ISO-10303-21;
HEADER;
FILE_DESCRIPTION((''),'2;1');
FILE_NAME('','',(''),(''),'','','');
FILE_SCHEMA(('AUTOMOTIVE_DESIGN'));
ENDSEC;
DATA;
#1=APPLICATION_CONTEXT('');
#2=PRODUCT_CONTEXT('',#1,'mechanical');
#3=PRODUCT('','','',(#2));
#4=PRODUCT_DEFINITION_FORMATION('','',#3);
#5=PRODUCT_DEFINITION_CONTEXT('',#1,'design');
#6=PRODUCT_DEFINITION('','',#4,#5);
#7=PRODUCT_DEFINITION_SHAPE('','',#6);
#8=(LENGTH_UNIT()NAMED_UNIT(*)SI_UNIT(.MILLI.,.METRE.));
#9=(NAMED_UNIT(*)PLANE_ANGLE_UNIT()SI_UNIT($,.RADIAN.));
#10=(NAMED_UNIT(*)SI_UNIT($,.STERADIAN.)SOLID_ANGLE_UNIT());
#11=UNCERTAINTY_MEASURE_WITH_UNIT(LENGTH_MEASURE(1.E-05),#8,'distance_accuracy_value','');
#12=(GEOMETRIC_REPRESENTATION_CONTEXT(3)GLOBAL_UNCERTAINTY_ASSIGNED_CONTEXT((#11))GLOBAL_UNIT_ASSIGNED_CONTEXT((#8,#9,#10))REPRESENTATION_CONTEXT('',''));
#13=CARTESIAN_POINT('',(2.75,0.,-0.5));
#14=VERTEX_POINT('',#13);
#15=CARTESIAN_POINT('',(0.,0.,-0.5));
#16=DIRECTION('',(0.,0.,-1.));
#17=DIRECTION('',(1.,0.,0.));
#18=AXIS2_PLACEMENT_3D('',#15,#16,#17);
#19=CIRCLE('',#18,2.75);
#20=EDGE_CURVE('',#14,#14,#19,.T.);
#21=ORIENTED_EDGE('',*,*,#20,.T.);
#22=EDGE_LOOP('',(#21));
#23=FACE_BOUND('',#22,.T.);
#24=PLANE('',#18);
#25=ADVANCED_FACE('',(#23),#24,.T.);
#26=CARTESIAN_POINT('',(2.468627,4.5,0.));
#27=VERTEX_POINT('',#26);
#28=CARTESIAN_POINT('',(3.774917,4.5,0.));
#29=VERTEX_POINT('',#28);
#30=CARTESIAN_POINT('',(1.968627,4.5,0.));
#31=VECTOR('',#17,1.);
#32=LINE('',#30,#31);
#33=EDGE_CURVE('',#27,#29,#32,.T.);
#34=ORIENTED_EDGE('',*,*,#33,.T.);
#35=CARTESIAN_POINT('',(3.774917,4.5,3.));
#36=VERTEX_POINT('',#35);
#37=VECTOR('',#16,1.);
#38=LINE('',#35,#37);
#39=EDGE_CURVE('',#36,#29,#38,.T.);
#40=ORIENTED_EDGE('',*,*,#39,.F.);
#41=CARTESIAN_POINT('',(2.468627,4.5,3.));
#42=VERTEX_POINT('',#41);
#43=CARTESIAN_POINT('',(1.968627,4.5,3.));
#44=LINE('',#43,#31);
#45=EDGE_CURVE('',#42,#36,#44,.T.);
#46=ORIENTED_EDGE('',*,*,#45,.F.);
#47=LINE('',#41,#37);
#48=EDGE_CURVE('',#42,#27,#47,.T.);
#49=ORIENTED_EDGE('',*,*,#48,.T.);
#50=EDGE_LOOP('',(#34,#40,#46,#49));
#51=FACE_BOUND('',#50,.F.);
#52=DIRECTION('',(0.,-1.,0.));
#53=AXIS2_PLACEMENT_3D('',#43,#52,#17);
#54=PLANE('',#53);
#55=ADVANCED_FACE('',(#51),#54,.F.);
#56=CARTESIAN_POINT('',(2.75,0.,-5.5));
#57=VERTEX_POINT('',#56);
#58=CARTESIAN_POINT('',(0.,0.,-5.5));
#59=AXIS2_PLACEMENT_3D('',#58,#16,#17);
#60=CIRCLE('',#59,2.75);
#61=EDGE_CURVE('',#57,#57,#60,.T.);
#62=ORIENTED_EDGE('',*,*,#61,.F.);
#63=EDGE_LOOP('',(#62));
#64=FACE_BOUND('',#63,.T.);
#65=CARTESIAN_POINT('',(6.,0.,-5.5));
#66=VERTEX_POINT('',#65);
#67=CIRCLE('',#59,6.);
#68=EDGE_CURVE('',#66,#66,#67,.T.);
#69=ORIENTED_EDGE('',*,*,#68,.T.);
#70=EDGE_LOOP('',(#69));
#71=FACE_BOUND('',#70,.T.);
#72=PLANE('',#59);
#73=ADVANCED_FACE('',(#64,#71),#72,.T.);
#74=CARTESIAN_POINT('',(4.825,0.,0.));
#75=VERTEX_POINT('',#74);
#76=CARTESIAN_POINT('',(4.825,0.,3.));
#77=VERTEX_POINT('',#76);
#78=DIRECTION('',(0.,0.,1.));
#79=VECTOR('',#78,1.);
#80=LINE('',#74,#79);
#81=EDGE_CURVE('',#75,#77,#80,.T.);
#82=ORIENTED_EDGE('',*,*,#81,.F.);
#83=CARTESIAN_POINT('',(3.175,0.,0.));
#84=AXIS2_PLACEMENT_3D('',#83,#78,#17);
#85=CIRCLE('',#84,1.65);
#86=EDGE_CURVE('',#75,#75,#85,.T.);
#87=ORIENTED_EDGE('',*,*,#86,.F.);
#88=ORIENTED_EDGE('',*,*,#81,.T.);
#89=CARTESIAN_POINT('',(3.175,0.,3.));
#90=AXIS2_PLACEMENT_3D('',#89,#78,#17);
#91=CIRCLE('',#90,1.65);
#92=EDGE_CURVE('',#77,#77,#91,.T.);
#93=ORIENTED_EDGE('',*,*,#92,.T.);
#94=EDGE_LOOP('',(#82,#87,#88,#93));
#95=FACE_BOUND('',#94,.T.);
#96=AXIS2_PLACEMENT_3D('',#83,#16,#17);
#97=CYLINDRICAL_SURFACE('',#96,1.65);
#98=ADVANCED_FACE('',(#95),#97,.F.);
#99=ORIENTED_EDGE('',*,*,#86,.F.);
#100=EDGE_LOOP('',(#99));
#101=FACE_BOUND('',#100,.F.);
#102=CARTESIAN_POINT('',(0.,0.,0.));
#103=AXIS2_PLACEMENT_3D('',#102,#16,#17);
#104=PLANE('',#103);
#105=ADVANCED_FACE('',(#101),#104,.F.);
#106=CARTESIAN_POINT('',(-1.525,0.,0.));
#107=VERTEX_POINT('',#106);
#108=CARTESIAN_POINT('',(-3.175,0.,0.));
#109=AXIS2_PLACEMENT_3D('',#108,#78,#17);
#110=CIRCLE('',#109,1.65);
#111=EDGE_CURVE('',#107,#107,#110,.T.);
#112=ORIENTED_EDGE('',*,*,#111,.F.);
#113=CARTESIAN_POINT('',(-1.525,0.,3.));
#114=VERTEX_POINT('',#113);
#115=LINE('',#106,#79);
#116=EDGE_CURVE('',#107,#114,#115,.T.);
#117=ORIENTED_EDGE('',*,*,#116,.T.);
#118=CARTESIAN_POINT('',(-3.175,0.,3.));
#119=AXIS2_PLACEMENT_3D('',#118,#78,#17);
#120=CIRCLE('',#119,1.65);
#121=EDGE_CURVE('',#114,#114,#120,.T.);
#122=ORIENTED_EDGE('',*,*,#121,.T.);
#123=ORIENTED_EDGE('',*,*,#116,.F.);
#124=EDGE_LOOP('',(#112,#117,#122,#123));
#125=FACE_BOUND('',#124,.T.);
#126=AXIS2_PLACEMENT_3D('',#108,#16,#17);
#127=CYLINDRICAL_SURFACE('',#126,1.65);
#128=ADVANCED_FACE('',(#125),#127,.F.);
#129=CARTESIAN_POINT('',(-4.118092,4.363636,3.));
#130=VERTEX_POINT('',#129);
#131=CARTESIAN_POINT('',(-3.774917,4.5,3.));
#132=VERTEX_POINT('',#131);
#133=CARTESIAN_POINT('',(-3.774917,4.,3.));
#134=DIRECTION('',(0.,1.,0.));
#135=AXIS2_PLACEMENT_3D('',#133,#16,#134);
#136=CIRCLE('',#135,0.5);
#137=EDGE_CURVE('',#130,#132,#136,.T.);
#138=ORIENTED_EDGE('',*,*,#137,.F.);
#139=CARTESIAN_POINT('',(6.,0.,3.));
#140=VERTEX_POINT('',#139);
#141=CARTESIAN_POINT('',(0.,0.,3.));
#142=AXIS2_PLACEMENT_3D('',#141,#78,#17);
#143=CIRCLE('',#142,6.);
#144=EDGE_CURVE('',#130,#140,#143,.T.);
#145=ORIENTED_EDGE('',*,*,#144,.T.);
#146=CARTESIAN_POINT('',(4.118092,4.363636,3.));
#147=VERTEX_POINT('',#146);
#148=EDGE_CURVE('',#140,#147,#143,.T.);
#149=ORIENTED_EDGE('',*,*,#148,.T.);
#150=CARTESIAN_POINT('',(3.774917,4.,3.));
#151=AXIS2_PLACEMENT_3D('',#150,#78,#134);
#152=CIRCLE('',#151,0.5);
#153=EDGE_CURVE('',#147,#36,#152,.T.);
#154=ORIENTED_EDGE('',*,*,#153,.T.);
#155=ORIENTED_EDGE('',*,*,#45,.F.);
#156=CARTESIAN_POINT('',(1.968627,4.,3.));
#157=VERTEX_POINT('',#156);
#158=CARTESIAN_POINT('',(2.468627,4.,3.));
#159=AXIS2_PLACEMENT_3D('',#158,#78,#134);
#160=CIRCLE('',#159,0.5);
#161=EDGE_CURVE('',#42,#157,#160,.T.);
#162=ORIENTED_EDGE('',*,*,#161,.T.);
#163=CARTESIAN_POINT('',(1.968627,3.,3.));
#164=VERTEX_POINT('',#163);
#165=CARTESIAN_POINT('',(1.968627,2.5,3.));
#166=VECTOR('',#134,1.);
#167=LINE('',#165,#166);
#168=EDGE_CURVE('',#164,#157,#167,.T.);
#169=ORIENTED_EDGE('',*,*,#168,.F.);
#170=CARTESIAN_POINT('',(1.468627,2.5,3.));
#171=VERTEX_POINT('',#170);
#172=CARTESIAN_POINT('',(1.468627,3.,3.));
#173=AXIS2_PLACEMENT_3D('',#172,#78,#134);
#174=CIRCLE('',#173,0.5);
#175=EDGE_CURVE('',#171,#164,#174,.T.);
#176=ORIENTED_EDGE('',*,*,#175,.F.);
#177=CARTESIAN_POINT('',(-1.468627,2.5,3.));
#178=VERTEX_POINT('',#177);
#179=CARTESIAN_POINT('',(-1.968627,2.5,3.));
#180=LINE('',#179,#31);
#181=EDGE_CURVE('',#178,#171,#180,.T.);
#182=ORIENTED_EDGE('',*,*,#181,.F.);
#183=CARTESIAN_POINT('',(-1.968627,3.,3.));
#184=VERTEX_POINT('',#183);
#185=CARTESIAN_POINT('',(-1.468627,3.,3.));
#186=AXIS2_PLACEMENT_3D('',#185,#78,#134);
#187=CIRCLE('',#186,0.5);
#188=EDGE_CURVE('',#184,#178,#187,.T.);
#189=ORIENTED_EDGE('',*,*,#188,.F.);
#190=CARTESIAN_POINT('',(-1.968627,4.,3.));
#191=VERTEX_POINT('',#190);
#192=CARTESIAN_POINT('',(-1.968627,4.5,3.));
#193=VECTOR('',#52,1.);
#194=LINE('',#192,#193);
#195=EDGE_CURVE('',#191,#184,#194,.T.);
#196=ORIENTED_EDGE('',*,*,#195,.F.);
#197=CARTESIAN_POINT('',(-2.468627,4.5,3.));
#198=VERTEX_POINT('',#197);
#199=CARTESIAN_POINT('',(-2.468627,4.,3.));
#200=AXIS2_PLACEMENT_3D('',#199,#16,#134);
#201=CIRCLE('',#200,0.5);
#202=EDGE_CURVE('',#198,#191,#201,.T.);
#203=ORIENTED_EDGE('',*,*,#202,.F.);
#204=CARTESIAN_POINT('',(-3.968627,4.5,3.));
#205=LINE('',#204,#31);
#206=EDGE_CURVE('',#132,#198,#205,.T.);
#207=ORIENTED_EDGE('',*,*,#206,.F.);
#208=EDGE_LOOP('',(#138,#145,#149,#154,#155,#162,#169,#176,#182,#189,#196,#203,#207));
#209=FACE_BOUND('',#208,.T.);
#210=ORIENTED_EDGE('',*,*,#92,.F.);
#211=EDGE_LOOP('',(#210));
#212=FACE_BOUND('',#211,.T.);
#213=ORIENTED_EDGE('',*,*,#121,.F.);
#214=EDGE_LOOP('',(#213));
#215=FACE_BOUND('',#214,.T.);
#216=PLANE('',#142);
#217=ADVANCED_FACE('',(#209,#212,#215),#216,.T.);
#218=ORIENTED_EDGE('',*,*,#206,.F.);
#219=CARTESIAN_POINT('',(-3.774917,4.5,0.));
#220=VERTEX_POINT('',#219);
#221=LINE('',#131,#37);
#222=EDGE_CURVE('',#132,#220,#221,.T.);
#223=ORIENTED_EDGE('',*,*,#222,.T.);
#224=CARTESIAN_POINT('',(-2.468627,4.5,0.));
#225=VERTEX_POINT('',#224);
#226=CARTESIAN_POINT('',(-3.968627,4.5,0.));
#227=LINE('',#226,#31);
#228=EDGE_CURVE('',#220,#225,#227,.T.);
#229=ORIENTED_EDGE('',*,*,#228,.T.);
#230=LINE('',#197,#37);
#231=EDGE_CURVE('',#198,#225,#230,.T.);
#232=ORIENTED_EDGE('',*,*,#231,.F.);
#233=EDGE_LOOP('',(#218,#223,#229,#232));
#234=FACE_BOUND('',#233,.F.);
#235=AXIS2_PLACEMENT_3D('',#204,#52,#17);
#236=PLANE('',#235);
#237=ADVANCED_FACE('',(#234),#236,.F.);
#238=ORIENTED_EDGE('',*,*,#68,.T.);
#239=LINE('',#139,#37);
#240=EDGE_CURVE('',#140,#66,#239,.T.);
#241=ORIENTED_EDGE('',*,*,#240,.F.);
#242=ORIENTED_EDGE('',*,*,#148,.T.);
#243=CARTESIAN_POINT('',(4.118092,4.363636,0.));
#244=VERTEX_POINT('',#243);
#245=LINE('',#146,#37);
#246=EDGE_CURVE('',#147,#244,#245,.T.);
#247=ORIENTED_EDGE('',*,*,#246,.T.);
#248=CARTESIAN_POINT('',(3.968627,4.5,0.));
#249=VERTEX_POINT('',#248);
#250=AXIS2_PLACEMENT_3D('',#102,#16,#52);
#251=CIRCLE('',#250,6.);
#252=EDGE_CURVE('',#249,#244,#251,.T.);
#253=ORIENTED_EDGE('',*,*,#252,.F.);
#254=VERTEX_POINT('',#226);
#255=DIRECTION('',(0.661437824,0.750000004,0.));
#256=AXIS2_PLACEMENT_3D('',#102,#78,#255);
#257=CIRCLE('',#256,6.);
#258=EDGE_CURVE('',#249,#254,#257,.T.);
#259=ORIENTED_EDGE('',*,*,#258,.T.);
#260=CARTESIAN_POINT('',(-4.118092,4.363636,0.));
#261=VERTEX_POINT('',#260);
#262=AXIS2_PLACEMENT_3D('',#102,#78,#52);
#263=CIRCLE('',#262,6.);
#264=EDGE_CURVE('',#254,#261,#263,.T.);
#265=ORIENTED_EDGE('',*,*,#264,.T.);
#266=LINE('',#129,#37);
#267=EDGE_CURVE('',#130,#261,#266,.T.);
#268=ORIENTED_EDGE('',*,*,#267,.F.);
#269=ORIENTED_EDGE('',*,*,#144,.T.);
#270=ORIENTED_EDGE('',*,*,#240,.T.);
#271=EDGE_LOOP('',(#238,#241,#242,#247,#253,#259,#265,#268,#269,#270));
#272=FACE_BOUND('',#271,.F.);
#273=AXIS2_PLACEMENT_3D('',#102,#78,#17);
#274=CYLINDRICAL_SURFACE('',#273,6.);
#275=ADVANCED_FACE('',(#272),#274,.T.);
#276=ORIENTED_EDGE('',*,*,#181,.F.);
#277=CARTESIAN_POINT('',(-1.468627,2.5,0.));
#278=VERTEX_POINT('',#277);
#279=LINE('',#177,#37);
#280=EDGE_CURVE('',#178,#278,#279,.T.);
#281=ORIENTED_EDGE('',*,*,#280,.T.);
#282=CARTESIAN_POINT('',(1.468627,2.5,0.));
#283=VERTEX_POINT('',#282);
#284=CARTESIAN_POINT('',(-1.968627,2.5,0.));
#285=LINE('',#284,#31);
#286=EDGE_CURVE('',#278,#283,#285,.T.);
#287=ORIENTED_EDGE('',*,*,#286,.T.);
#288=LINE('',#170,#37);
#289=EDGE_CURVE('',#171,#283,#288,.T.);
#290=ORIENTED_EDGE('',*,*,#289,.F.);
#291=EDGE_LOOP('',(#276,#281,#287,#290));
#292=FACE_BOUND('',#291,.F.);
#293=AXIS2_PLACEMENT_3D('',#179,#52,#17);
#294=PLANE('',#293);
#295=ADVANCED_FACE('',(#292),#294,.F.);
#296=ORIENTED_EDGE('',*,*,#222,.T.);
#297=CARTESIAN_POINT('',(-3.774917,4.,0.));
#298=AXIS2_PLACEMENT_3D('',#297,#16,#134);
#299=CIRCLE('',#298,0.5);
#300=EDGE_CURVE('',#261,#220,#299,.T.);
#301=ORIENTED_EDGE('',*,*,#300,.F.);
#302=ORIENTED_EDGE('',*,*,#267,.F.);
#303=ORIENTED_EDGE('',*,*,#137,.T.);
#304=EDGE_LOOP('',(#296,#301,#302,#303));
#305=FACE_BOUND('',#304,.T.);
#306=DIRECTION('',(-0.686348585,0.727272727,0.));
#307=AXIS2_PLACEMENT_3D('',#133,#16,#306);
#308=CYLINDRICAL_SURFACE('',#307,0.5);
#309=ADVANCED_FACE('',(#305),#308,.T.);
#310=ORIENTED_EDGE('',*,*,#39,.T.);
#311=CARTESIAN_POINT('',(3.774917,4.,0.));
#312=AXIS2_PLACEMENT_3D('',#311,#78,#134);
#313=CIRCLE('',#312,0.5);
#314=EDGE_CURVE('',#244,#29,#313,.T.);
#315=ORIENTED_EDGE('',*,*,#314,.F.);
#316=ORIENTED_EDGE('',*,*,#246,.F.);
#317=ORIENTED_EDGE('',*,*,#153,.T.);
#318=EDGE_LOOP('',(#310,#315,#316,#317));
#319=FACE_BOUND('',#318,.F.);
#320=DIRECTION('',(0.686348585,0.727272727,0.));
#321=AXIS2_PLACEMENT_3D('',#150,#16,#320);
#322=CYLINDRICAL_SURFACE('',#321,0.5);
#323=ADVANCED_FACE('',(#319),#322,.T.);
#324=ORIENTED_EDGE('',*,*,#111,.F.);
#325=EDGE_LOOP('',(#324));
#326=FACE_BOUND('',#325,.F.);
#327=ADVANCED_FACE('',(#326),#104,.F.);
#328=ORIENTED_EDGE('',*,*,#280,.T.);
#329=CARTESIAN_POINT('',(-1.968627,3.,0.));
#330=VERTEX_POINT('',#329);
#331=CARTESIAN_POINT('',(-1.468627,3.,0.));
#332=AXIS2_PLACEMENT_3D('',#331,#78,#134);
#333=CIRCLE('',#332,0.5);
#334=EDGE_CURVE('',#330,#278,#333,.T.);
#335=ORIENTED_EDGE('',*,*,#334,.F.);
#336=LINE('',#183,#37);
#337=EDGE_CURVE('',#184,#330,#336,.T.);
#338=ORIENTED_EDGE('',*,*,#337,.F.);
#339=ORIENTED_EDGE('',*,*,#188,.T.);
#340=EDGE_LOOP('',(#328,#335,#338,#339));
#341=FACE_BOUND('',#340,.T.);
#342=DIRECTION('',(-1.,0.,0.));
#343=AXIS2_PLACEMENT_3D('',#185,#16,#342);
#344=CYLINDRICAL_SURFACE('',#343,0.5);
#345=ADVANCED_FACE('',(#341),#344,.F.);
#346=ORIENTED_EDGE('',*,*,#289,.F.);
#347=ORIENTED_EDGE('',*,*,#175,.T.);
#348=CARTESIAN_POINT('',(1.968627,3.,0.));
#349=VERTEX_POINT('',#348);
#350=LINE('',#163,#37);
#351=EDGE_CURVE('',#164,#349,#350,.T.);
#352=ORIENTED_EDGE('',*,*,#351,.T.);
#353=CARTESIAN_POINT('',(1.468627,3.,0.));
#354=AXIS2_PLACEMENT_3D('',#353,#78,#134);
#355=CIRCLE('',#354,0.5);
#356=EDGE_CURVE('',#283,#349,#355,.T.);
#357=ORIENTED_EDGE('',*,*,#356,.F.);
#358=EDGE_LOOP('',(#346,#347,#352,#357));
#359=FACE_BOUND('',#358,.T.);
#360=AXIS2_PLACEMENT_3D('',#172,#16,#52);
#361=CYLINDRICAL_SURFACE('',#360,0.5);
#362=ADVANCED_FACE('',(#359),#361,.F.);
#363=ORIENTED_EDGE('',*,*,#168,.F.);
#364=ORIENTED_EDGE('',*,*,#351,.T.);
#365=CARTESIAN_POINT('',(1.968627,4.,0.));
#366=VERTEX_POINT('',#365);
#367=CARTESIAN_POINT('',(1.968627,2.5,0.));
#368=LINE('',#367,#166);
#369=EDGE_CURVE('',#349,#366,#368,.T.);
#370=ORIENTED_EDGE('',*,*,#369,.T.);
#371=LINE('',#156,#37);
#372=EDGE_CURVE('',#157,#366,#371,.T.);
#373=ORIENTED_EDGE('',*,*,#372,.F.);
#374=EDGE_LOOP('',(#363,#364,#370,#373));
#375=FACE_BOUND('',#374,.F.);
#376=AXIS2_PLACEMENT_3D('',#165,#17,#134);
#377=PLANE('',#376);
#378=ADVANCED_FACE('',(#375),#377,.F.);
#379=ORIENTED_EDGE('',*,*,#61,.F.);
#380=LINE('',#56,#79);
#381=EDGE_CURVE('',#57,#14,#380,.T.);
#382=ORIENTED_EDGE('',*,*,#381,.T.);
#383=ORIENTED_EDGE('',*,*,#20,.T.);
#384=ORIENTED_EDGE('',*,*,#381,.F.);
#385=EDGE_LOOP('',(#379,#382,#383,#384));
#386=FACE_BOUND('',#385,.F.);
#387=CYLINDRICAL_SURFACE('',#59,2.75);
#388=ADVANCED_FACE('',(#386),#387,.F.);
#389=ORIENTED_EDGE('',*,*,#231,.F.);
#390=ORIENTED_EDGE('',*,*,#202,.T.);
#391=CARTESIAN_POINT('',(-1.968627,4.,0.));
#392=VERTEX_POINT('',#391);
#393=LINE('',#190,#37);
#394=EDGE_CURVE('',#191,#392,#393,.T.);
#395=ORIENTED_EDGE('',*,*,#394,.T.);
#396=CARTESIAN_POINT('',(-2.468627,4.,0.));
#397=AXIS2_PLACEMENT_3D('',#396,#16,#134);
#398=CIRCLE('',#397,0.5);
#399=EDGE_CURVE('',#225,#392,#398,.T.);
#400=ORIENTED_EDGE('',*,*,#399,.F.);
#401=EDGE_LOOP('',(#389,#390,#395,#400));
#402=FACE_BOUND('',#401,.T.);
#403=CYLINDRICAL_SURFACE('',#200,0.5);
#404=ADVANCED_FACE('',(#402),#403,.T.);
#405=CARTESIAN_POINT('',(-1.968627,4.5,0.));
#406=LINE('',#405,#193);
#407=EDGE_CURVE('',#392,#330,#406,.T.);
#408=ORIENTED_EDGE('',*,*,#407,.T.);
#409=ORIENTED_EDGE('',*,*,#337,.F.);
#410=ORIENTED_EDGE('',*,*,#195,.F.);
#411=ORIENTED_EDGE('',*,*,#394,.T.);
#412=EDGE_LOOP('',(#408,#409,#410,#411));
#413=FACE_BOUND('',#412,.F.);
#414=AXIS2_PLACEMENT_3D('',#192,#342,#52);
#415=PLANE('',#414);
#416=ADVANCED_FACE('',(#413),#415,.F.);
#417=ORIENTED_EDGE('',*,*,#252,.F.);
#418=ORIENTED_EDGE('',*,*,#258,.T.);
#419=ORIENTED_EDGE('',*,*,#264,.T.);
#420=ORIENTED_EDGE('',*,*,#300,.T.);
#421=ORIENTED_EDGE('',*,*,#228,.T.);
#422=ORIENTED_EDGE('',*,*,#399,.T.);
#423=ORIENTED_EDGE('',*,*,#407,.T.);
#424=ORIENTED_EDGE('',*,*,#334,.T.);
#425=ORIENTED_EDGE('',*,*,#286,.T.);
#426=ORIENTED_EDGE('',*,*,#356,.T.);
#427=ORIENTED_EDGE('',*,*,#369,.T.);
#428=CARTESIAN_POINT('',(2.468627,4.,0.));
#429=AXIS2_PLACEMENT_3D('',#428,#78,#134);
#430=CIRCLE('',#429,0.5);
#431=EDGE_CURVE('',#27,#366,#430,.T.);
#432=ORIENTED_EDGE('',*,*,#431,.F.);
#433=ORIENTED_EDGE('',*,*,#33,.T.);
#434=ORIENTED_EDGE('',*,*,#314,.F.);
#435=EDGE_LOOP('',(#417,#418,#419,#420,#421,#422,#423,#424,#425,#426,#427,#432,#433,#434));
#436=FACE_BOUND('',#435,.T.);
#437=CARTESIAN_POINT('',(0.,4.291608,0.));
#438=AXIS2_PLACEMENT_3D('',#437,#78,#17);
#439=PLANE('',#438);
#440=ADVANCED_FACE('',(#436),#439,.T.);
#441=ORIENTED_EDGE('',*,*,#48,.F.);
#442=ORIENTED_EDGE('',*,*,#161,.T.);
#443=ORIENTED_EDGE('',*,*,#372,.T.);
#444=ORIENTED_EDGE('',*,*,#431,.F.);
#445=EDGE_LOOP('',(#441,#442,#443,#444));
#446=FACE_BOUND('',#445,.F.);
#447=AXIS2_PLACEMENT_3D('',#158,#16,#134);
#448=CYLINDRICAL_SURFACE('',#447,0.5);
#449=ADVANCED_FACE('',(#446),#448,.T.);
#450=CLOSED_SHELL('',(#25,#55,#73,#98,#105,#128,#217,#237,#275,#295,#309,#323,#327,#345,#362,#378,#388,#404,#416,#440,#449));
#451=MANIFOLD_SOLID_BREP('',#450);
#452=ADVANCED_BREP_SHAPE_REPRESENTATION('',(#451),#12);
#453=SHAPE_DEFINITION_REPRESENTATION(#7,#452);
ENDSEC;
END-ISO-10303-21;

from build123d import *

# Parameters (mm, degrees)
F0_R     = 6
F0_R_2   = 1.65
F1_DEPTH = 3
F2_R     = 6
F3_DEPTH = 5.5
F5_DEPTH = 3
F6_R     = 0.5
F7_R     = 2.75
F8_DEPTH = 5


with BuildPart() as f1:
    # F0 (on Top) → F1 (new body)
    with BuildSketch(Plane.XY):
        Circle(F0_R)
        with Locations((-3.175, 0)):
            Circle(F0_R_2, mode=Mode.SUBTRACT)
        with Locations((3.175, 0)):
            Circle(F0_R_2, mode=Mode.SUBTRACT)
    extrude(amount=F1_DEPTH)

    # F2 (on face) → F3 (join)
    with BuildSketch(Plane(origin=(0, 0, 0), x_dir=(1, 0, 0), z_dir=(0, 0, -1))):
        Circle(F2_R)
    extrude(amount=F3_DEPTH)

    # F4 (on face) → F5 (cut)
    with BuildSketch(Plane.XY.offset(3)):
        with BuildLine():
            ThreePointArc((3.968627, 4.5), (0, 6), (-3.968627, 4.5))
            Line((-3.968627, 4.5), (-1.968627, 4.5))
            Line((-1.968627, 4.5), (-1.968627, 2.5))
            Line((-1.968627, 2.5), (1.968627, 2.5))
            Line((1.968627, 2.5), (1.968627, 4.5))
            Line((1.968627, 4.5), (3.968627, 4.5))
        make_face()
    extrude(amount=-F5_DEPTH, mode=Mode.SUBTRACT)

    # F6
    f6_edges = [f1.edges().sort_by_distance(p)[0] for p in [
        (-3.968627, 4.5, 1.5),
        (-1.968627, 4.5, 1.5),
        (1.968627, 2.5, 1.5),
        (1.968627, 4.5, 1.5),
        (3.968627, 4.5, 1.5),
        (-1.968627, 2.5, 1.5),
    ]]
    fillet(f6_edges, radius=F6_R)

    # F7 (on face) → F8 (cut)
    with BuildSketch(Plane(origin=(0, 0, -5.5), x_dir=(1, 0, 0), z_dir=(0, 0, -1))):
        Circle(F7_R)
    extrude(amount=-F8_DEPTH, mode=Mode.SUBTRACT)


solid = f1.part
